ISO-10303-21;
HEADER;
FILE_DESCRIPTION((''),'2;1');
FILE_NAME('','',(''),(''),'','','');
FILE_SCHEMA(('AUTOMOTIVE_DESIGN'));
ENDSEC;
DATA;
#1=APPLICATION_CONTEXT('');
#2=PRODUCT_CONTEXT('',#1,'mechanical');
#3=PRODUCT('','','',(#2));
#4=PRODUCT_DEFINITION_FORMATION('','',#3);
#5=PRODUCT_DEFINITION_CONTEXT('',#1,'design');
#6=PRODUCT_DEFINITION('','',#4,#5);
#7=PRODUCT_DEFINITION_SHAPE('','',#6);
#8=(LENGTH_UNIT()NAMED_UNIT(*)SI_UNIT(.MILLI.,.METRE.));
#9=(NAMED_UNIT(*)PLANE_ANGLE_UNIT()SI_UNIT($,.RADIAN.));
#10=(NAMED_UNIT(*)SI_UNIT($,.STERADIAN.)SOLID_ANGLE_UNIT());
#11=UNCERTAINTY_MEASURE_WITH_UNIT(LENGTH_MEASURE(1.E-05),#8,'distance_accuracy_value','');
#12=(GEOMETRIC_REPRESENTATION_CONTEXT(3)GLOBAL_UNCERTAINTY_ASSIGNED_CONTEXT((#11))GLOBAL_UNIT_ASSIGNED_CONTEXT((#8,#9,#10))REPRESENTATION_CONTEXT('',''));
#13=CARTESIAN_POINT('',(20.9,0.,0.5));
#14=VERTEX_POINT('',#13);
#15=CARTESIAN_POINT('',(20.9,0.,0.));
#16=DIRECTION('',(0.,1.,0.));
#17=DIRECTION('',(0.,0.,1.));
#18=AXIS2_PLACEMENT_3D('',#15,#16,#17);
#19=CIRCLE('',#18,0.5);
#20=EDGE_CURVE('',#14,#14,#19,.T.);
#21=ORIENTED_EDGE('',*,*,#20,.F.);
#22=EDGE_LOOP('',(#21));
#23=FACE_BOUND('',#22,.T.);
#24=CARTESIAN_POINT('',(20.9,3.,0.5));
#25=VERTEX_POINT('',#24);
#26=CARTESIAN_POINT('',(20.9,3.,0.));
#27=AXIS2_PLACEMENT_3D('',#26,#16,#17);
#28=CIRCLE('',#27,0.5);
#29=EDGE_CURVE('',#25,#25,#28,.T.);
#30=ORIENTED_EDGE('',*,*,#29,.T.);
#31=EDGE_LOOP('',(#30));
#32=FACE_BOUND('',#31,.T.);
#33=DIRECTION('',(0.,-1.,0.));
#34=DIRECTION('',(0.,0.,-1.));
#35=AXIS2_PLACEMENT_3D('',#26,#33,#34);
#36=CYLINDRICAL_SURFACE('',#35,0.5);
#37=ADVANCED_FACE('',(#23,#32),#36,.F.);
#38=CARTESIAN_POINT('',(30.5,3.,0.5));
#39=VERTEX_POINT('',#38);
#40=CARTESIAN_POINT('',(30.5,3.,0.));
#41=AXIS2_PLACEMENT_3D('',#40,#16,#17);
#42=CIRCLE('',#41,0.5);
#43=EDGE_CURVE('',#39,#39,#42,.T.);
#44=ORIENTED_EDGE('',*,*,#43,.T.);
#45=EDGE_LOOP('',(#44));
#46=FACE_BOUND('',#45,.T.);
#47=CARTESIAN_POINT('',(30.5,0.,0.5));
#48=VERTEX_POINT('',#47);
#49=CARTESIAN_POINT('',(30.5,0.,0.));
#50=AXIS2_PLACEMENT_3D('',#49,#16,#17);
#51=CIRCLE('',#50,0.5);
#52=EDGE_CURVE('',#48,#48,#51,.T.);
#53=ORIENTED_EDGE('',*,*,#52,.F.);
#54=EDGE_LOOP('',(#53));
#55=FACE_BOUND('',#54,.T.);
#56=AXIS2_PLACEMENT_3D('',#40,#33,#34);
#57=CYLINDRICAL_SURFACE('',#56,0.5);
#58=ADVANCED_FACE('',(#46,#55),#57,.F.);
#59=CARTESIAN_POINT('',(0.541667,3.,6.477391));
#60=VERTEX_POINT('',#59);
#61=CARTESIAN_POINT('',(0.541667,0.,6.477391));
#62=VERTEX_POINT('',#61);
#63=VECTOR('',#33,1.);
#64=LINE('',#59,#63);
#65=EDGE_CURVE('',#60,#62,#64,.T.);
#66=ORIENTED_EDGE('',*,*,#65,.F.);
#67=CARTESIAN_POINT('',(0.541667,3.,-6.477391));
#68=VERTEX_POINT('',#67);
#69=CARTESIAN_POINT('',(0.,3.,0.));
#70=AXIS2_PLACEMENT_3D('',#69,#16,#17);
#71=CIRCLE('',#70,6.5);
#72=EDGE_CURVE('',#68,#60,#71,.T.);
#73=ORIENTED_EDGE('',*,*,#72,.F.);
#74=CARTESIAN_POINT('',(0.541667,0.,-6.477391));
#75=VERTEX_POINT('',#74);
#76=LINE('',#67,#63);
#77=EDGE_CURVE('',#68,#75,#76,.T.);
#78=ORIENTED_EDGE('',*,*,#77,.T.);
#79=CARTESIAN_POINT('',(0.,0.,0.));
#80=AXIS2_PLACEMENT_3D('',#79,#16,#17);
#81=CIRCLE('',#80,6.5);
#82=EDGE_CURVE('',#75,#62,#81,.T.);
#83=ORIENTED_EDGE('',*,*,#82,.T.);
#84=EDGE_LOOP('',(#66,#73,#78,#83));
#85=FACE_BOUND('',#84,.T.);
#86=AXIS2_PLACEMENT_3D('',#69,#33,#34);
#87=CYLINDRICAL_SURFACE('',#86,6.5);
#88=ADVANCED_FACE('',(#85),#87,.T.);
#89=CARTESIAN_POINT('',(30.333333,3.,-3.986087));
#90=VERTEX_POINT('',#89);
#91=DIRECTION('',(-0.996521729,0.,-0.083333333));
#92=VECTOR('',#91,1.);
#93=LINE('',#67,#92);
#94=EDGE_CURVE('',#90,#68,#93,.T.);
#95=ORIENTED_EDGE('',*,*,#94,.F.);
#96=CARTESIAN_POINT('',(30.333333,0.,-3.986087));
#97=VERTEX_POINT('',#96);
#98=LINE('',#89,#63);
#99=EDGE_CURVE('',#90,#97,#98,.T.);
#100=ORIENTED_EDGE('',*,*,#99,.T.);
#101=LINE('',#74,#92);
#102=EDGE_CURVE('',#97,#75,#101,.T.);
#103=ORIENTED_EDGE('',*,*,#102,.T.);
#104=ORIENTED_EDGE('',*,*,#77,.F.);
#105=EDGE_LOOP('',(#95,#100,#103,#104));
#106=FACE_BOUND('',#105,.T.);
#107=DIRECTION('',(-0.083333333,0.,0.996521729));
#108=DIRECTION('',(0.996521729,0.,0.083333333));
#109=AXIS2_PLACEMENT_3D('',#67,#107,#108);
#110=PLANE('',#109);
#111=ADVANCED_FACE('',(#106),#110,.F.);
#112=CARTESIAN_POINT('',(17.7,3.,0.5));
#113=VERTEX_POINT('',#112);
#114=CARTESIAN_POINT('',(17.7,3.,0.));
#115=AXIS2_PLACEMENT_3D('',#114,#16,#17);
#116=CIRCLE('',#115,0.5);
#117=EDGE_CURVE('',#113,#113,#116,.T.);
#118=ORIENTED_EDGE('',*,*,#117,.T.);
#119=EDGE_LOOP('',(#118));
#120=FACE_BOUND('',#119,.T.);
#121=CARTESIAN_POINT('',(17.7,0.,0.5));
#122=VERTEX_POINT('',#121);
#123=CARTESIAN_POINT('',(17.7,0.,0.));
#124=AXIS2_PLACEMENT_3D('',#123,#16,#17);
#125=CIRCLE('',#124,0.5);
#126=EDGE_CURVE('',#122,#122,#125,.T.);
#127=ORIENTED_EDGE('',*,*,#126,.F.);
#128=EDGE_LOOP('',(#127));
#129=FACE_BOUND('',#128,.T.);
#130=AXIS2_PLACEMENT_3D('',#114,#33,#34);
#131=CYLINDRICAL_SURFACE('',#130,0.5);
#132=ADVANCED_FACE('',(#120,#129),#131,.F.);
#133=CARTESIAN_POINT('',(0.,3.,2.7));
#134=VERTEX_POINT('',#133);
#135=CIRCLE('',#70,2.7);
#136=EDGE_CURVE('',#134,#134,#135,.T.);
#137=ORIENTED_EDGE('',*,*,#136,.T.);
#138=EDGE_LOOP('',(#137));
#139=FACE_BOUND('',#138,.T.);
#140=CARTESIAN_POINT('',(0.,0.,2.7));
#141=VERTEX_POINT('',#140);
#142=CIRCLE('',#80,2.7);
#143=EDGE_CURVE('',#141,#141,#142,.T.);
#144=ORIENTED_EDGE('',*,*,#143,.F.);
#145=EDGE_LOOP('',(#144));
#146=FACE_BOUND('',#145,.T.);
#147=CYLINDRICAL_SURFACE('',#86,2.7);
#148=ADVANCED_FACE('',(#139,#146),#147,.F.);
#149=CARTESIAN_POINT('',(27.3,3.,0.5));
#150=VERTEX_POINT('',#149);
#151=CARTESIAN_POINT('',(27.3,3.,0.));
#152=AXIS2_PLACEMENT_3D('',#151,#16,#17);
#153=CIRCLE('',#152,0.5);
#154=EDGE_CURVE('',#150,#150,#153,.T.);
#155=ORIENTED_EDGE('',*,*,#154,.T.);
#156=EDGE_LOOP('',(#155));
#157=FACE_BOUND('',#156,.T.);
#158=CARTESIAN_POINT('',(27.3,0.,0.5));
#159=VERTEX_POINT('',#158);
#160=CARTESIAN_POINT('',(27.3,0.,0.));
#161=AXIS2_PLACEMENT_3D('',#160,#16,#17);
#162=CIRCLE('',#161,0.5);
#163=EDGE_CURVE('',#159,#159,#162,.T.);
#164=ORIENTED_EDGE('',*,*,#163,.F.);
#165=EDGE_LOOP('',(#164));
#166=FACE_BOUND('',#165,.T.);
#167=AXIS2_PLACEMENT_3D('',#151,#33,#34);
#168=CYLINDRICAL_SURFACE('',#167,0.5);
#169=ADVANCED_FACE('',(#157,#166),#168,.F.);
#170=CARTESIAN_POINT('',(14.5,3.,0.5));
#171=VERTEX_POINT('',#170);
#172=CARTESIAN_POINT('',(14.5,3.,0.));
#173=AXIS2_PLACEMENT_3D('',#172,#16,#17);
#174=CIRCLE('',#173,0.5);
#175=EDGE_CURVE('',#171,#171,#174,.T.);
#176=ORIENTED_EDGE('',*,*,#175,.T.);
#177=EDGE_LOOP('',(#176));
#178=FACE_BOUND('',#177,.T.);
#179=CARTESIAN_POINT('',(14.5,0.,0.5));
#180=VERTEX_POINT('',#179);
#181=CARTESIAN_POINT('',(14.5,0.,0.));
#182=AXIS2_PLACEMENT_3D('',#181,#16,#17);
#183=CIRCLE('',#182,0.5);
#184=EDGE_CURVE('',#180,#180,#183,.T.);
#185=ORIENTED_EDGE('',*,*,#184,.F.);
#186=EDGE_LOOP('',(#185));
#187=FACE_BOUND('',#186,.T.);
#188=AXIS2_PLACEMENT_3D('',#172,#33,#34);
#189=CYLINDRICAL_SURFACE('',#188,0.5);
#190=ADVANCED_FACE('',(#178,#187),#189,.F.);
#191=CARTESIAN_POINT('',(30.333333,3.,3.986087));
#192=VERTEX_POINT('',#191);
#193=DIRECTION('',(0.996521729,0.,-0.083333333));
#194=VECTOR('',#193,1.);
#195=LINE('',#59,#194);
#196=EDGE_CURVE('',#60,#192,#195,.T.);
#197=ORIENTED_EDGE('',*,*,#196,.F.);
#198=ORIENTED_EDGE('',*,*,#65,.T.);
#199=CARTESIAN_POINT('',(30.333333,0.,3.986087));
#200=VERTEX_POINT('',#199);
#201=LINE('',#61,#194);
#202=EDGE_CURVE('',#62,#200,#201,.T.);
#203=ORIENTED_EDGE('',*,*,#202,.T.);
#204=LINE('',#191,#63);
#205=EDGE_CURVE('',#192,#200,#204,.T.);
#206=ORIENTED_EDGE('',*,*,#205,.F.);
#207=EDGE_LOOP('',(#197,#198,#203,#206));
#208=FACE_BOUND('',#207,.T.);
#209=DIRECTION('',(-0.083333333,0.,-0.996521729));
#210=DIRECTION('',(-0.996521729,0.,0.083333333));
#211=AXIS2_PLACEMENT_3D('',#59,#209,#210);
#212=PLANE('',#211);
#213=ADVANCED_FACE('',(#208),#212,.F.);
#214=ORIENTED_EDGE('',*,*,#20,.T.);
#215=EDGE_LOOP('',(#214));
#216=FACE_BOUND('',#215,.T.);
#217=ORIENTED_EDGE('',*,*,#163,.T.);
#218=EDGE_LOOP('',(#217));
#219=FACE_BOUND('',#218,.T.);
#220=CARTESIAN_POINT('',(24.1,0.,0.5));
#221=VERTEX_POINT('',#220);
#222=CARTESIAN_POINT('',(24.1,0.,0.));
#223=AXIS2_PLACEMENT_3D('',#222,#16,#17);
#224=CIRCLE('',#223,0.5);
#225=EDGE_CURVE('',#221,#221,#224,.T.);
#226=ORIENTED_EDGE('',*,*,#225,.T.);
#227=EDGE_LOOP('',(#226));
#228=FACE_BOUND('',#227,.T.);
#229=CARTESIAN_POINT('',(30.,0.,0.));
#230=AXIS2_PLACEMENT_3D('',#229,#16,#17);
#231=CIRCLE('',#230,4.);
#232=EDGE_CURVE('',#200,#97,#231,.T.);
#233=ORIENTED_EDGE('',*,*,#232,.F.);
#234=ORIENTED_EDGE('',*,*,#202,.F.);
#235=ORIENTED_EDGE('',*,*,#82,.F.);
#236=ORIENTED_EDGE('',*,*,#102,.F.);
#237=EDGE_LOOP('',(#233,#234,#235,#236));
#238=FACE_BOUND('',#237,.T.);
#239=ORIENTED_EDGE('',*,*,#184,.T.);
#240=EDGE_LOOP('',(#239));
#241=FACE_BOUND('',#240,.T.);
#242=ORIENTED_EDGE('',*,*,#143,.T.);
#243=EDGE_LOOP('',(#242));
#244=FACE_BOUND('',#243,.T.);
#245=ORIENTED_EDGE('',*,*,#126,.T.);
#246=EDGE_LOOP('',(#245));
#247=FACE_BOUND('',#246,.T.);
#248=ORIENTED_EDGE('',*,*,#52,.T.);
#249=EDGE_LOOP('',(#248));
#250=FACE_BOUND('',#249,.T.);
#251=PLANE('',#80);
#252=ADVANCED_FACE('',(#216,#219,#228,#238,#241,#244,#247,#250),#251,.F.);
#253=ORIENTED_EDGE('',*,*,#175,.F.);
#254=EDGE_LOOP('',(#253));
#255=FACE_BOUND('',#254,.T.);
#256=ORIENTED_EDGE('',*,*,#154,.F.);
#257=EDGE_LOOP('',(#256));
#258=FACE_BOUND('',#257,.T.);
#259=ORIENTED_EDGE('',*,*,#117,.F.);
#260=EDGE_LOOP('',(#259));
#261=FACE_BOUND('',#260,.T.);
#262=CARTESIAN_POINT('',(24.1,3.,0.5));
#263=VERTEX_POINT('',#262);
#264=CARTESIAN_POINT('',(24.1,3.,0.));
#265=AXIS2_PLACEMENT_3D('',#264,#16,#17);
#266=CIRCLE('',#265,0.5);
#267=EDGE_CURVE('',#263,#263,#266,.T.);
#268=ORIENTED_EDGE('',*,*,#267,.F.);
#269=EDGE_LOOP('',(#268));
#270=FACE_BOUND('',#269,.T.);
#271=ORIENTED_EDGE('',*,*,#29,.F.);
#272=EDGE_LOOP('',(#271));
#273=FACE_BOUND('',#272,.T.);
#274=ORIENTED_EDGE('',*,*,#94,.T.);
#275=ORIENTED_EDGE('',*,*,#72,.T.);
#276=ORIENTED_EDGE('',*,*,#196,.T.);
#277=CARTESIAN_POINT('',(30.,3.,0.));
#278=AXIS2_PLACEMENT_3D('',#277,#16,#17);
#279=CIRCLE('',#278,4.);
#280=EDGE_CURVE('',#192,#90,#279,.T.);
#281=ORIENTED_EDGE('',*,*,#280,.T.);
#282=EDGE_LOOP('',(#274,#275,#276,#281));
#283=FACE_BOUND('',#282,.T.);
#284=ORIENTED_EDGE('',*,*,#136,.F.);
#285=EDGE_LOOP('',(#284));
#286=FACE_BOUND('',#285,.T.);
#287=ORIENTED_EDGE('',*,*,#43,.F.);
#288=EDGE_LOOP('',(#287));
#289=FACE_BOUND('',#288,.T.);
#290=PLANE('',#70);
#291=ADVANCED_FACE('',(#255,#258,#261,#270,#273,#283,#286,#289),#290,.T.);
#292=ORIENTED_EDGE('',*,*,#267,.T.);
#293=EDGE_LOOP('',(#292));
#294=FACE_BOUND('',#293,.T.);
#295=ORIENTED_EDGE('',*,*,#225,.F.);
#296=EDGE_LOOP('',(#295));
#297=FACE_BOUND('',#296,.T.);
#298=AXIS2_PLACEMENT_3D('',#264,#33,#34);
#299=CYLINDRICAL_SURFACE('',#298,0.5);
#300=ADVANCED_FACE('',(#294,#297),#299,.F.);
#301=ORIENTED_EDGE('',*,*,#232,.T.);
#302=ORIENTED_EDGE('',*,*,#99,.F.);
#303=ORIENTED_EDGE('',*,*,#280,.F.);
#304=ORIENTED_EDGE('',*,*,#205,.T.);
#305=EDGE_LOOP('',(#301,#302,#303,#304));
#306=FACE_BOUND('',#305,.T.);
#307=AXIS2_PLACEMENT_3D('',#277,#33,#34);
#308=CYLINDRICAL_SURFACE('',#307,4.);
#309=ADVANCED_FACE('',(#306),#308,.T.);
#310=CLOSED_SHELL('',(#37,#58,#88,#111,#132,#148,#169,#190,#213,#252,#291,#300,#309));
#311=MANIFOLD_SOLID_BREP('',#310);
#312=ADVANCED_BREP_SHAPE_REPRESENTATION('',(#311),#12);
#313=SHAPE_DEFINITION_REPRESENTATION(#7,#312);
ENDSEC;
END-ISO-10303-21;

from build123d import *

# Parameters (mm, degrees)
SKETCH1_R           = 0.5
SKETCH1_R_2         = 2.7
BOSS_EXTRUDE2_DEPTH = 3


with BuildPart() as part:
    # Sketch1 → Boss-Extrude2 (new body)
    with BuildSketch(Plane(origin=(0, 0, 0), x_dir=(1, 0, 0), z_dir=(0, 1, 0))):
        with BuildLine():
            Line((0.541666667, 6.477391236), (30.333333333, 3.986086914))
            ThreePointArc((30.333333333, 3.986086914), (34, 0), (30.333333333, -3.986086914))
            Line((30.333333333, -3.986086914), (0.541666667, -6.477391236))
            ThreePointArc((0.541666667, -6.477391236), (-6.5, 0), (0.541666667, 6.477391236))
        make_face()
        with Locations(Location((30.5, 0, 0), (0, 0, 270))):
            Circle(SKETCH1_R, mode=Mode.SUBTRACT)
        with Locations(Location((27.3, 0, 0), (0, 0, 270))):
            Circle(SKETCH1_R, mode=Mode.SUBTRACT)
        with Locations(Location((24.1, 0, 0), (0, 0, 270))):
            Circle(SKETCH1_R, mode=Mode.SUBTRACT)
        with Locations(Location((20.9, 0, 0), (0, 0, 270))):
            Circle(SKETCH1_R, mode=Mode.SUBTRACT)
        with Locations(Location((17.7, 0, 0), (0, 0, 270))):
            Circle(SKETCH1_R, mode=Mode.SUBTRACT)
        with Locations(Location((14.5, 0, 0), (0, 0, 270))):
            Circle(SKETCH1_R, mode=Mode.SUBTRACT)
        with Locations(Location((0, 0, 0), (0, 0, 270))):
            Circle(SKETCH1_R_2, mode=Mode.SUBTRACT)
    extrude(amount=BOSS_EXTRUDE2_DEPTH)


solid = part.part
